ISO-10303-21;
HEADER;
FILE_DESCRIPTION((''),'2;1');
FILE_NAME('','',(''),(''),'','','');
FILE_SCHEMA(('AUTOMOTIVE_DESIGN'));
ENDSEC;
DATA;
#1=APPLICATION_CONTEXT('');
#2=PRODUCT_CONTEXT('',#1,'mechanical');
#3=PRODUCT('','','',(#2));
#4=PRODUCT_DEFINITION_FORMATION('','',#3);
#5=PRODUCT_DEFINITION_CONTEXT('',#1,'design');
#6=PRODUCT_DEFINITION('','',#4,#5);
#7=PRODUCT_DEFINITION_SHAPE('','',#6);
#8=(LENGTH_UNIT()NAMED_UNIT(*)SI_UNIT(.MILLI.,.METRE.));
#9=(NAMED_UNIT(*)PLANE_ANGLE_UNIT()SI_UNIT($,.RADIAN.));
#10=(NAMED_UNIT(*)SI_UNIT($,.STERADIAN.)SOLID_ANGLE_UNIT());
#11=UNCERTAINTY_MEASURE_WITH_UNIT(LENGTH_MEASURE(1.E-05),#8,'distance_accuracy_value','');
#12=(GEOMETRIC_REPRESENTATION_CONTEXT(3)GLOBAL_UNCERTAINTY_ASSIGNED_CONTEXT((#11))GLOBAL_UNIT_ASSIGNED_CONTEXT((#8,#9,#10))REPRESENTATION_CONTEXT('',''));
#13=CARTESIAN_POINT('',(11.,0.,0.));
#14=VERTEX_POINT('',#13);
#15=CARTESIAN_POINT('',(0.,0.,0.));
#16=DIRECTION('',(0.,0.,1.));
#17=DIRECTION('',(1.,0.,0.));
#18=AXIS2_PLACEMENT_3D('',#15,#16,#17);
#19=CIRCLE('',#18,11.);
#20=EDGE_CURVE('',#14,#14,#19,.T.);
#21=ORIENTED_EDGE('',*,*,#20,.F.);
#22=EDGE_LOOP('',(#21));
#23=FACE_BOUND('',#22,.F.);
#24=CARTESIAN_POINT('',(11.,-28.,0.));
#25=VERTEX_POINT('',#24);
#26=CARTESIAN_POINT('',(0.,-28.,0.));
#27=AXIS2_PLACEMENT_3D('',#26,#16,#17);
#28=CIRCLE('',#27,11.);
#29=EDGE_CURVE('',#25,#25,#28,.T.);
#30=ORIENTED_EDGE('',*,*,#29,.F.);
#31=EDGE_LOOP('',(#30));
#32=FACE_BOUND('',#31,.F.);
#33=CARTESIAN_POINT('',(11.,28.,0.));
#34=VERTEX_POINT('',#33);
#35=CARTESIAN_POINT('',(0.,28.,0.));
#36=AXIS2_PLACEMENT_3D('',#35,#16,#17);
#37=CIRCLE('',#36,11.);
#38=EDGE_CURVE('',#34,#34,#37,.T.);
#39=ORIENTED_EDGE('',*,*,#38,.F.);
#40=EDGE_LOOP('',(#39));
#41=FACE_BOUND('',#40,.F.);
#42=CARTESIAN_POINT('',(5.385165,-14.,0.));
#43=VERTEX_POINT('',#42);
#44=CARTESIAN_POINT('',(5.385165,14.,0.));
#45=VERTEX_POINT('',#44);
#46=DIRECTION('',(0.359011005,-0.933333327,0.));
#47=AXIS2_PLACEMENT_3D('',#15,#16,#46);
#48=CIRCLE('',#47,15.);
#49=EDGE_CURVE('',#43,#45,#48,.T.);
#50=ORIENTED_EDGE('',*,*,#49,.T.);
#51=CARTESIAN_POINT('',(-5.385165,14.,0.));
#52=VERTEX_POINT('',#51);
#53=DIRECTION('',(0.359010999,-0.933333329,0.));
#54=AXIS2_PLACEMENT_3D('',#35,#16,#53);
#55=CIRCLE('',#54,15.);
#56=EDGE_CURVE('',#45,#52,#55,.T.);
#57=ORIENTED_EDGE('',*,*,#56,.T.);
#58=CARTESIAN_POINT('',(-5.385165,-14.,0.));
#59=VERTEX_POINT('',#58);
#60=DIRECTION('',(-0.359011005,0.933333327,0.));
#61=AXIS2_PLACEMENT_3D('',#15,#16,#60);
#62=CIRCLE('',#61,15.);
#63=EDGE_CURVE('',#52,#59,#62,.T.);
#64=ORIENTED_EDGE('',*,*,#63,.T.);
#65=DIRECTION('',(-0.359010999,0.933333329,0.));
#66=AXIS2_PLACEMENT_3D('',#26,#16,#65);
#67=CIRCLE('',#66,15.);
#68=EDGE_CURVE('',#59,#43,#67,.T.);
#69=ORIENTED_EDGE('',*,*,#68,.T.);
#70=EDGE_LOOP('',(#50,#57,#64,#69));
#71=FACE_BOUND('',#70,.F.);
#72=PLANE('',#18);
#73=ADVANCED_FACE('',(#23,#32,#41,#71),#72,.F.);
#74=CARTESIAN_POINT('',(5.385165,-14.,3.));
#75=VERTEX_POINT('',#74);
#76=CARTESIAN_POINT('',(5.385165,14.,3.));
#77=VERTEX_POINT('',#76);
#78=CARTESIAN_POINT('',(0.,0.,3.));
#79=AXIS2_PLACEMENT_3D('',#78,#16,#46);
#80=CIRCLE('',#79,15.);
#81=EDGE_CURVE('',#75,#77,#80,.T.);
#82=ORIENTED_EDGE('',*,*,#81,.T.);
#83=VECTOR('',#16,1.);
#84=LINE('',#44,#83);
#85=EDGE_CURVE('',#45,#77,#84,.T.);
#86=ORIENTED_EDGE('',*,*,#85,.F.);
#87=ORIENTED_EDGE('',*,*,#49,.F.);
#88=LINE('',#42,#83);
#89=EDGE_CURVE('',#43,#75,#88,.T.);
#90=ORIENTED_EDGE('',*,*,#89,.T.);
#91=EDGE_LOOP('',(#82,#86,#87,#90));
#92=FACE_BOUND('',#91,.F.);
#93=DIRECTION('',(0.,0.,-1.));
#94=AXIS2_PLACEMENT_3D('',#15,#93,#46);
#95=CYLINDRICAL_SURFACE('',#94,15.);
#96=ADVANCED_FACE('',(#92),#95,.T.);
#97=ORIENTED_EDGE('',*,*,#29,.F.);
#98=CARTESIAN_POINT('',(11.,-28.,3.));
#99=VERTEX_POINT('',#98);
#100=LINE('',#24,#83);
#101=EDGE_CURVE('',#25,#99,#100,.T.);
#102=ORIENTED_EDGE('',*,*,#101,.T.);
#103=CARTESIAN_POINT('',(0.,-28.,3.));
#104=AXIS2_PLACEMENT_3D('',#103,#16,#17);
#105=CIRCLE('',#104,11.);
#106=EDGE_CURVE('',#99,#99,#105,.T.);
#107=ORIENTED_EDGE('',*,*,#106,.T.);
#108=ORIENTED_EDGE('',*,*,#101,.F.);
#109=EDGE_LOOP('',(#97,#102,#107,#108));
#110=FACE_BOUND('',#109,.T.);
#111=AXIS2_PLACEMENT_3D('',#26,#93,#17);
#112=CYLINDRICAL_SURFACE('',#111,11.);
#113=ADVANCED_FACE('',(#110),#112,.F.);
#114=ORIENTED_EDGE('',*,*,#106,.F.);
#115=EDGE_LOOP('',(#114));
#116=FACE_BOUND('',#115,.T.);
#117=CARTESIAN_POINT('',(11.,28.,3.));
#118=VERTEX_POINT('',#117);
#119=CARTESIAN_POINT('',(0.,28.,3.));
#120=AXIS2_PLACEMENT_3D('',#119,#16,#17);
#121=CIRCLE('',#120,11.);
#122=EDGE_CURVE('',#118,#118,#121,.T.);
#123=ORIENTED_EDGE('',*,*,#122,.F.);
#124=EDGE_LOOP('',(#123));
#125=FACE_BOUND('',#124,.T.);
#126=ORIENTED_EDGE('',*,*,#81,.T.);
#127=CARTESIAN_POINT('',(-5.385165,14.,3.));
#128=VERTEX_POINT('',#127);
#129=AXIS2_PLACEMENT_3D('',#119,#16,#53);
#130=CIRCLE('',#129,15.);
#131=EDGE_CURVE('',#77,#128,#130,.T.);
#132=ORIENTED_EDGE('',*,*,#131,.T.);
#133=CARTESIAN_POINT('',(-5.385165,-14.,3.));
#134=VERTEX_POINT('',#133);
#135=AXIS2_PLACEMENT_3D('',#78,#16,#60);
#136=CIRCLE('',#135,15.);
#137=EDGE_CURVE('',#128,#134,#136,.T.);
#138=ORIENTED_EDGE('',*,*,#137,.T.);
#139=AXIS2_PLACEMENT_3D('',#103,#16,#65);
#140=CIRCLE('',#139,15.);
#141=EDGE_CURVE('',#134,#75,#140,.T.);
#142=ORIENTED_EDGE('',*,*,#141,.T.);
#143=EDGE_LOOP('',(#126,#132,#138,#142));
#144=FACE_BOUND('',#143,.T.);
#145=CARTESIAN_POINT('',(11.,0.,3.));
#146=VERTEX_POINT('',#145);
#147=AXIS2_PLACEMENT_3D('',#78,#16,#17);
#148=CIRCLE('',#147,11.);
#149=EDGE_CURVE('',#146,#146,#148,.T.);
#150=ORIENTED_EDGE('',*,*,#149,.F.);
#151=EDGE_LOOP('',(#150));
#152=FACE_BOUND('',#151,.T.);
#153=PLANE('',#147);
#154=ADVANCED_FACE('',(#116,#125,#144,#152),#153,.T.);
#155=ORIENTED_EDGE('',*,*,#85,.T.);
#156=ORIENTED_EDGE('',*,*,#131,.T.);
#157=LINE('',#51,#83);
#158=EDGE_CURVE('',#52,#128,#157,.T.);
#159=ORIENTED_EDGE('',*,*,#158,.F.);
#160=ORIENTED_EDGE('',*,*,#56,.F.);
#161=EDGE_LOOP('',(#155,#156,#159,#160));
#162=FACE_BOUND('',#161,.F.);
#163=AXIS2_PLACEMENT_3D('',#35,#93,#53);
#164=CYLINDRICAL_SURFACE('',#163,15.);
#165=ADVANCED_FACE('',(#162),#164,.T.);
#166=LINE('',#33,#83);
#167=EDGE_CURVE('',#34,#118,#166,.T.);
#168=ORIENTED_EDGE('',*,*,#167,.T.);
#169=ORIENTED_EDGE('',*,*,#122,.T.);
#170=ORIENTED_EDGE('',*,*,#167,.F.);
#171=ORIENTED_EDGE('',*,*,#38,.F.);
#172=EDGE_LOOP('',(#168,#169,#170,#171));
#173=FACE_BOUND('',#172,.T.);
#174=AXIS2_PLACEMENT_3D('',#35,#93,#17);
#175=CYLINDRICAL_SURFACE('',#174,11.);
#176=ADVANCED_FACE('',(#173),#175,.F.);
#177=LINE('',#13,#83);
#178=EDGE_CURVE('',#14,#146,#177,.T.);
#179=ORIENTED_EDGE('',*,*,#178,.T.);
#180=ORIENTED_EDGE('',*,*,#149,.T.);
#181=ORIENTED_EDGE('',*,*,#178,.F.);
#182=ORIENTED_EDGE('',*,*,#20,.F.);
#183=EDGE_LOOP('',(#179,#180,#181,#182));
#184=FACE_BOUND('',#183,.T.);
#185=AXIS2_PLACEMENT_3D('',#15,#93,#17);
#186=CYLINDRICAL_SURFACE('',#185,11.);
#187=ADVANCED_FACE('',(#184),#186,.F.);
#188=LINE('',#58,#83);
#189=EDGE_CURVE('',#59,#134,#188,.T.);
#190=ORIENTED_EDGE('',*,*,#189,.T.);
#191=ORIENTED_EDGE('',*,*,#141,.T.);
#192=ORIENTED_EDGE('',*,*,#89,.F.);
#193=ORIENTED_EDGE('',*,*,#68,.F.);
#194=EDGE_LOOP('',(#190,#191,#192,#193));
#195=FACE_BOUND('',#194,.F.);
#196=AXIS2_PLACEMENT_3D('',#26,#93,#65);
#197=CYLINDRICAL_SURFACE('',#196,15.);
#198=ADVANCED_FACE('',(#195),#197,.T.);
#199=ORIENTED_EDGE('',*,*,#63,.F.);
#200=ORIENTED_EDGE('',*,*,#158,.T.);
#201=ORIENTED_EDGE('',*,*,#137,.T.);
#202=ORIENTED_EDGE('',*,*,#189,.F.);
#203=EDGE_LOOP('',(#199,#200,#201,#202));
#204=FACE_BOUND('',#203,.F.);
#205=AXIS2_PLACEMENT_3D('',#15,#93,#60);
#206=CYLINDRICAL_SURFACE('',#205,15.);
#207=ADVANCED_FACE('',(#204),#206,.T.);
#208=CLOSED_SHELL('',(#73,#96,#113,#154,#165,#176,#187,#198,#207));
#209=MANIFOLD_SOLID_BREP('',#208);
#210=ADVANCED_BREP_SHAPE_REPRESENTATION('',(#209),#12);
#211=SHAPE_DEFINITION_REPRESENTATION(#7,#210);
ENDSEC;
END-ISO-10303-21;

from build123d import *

# Parameters (mm, degrees)
F0_R     = 11
F1_DEPTH = 3


with BuildPart() as f1:
    # F0 (on Top) → F1 (new body)
    with BuildSketch(Plane.XY):
        with BuildLine():
            ThreePointArc((5.385165, 14), (0, 43), (-5.385165, 14))
            ThreePointArc((-5.385165, 14), (-15, 0), (-5.385165, -14))
            ThreePointArc((-5.385165, -14), (0, -43), (5.385165, -14))
            ThreePointArc((5.385165, -14), (15, 0), (5.385165, 14))
        make_face()
        with Locations((0, -28)):
            Circle(F0_R, mode=Mode.SUBTRACT)
        Circle(F0_R, mode=Mode.SUBTRACT)
        with Locations((0, 28)):
            Circle(F0_R, mode=Mode.SUBTRACT)
    extrude(amount=F1_DEPTH)


solid = f1.part
